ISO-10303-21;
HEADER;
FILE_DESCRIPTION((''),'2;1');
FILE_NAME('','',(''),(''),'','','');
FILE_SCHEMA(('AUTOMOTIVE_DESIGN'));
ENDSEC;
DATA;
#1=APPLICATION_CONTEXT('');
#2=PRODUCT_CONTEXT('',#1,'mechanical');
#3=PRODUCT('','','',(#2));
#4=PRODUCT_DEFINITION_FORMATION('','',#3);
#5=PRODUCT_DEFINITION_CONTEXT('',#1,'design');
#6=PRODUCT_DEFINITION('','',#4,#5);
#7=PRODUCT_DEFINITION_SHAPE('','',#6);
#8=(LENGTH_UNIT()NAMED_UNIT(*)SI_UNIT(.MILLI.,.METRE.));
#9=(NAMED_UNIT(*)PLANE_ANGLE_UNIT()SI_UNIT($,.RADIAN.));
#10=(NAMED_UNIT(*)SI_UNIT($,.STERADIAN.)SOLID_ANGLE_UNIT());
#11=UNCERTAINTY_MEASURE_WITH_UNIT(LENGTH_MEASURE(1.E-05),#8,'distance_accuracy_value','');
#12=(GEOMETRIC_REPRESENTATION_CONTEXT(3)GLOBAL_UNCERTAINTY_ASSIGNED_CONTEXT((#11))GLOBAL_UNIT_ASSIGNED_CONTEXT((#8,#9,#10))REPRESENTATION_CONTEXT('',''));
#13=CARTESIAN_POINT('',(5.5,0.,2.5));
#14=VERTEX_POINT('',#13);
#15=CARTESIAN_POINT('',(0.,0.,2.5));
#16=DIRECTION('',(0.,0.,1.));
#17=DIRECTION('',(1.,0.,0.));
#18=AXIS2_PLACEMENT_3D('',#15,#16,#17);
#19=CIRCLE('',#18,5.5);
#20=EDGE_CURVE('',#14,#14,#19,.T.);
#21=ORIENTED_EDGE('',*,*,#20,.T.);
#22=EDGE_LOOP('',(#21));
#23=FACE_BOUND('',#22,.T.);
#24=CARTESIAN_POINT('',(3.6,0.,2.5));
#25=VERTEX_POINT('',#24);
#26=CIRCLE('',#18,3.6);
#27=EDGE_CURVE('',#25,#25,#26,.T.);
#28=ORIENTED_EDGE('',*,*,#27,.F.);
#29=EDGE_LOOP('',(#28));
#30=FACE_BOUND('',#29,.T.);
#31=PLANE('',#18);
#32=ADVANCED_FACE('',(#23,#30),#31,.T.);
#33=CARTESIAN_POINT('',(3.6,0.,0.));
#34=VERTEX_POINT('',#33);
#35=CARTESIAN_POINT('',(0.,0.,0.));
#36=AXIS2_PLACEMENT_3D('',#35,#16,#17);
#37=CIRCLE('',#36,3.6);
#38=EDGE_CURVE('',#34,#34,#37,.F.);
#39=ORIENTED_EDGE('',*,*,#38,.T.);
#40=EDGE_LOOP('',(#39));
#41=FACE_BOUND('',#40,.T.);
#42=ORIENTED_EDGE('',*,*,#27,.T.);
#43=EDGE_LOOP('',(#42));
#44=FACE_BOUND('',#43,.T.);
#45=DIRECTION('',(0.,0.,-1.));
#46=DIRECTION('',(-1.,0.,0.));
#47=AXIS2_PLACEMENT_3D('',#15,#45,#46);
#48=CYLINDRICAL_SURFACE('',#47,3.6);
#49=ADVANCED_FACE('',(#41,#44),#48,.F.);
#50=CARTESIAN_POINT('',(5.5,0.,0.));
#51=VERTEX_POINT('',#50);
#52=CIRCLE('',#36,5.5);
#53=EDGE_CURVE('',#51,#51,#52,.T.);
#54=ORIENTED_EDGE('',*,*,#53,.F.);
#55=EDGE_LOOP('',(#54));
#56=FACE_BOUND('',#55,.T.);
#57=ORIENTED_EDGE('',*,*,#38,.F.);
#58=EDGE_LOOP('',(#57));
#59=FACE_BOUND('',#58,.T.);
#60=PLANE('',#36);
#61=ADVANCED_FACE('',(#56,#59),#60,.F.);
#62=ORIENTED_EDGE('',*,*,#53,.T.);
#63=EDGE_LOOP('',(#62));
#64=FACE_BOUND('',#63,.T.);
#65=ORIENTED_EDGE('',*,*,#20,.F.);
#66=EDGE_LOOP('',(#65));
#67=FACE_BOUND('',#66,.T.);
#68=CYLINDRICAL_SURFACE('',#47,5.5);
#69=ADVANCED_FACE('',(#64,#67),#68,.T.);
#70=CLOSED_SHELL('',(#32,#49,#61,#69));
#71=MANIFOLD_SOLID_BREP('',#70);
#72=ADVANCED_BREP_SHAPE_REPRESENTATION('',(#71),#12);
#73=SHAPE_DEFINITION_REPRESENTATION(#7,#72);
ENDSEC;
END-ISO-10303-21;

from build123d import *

# Parameters (mm, degrees)
F_0172_CYLINDER_SKETCH_R = 5.5
F_0172_CYLINDER_DEPTH    = 2.5
F_0173_CYLINDER_SKETCH_R = 3.6
F_0173_CYLINDER_DEPTH    = 5


with BuildPart() as part:
    # 0172_cylinder_Sketch → 0172_cylinder (new body)
    with BuildSketch(Plane.XY):
        Circle(F_0172_CYLINDER_SKETCH_R)
    extrude(amount=F_0172_CYLINDER_DEPTH)


with BuildPart() as body_2:
    # 0173_cylinder_Sketch → 0173_cylinder (new body)
    with BuildSketch(Plane.XY):
        Circle(F_0173_CYLINDER_SKETCH_R)
    extrude(amount=F_0173_CYLINDER_DEPTH)


with BuildPart() as body_2_1:
    # 0173_cylinder_Translate: moved
    add(body_2.part.moved(Location((0, 0, -2.5))))


with BuildPart() as part_1:
    add(part.part)

    # 0174_sub: cut body 2
    add(body_2_1.part, mode=Mode.SUBTRACT)


solid = part_1.part
